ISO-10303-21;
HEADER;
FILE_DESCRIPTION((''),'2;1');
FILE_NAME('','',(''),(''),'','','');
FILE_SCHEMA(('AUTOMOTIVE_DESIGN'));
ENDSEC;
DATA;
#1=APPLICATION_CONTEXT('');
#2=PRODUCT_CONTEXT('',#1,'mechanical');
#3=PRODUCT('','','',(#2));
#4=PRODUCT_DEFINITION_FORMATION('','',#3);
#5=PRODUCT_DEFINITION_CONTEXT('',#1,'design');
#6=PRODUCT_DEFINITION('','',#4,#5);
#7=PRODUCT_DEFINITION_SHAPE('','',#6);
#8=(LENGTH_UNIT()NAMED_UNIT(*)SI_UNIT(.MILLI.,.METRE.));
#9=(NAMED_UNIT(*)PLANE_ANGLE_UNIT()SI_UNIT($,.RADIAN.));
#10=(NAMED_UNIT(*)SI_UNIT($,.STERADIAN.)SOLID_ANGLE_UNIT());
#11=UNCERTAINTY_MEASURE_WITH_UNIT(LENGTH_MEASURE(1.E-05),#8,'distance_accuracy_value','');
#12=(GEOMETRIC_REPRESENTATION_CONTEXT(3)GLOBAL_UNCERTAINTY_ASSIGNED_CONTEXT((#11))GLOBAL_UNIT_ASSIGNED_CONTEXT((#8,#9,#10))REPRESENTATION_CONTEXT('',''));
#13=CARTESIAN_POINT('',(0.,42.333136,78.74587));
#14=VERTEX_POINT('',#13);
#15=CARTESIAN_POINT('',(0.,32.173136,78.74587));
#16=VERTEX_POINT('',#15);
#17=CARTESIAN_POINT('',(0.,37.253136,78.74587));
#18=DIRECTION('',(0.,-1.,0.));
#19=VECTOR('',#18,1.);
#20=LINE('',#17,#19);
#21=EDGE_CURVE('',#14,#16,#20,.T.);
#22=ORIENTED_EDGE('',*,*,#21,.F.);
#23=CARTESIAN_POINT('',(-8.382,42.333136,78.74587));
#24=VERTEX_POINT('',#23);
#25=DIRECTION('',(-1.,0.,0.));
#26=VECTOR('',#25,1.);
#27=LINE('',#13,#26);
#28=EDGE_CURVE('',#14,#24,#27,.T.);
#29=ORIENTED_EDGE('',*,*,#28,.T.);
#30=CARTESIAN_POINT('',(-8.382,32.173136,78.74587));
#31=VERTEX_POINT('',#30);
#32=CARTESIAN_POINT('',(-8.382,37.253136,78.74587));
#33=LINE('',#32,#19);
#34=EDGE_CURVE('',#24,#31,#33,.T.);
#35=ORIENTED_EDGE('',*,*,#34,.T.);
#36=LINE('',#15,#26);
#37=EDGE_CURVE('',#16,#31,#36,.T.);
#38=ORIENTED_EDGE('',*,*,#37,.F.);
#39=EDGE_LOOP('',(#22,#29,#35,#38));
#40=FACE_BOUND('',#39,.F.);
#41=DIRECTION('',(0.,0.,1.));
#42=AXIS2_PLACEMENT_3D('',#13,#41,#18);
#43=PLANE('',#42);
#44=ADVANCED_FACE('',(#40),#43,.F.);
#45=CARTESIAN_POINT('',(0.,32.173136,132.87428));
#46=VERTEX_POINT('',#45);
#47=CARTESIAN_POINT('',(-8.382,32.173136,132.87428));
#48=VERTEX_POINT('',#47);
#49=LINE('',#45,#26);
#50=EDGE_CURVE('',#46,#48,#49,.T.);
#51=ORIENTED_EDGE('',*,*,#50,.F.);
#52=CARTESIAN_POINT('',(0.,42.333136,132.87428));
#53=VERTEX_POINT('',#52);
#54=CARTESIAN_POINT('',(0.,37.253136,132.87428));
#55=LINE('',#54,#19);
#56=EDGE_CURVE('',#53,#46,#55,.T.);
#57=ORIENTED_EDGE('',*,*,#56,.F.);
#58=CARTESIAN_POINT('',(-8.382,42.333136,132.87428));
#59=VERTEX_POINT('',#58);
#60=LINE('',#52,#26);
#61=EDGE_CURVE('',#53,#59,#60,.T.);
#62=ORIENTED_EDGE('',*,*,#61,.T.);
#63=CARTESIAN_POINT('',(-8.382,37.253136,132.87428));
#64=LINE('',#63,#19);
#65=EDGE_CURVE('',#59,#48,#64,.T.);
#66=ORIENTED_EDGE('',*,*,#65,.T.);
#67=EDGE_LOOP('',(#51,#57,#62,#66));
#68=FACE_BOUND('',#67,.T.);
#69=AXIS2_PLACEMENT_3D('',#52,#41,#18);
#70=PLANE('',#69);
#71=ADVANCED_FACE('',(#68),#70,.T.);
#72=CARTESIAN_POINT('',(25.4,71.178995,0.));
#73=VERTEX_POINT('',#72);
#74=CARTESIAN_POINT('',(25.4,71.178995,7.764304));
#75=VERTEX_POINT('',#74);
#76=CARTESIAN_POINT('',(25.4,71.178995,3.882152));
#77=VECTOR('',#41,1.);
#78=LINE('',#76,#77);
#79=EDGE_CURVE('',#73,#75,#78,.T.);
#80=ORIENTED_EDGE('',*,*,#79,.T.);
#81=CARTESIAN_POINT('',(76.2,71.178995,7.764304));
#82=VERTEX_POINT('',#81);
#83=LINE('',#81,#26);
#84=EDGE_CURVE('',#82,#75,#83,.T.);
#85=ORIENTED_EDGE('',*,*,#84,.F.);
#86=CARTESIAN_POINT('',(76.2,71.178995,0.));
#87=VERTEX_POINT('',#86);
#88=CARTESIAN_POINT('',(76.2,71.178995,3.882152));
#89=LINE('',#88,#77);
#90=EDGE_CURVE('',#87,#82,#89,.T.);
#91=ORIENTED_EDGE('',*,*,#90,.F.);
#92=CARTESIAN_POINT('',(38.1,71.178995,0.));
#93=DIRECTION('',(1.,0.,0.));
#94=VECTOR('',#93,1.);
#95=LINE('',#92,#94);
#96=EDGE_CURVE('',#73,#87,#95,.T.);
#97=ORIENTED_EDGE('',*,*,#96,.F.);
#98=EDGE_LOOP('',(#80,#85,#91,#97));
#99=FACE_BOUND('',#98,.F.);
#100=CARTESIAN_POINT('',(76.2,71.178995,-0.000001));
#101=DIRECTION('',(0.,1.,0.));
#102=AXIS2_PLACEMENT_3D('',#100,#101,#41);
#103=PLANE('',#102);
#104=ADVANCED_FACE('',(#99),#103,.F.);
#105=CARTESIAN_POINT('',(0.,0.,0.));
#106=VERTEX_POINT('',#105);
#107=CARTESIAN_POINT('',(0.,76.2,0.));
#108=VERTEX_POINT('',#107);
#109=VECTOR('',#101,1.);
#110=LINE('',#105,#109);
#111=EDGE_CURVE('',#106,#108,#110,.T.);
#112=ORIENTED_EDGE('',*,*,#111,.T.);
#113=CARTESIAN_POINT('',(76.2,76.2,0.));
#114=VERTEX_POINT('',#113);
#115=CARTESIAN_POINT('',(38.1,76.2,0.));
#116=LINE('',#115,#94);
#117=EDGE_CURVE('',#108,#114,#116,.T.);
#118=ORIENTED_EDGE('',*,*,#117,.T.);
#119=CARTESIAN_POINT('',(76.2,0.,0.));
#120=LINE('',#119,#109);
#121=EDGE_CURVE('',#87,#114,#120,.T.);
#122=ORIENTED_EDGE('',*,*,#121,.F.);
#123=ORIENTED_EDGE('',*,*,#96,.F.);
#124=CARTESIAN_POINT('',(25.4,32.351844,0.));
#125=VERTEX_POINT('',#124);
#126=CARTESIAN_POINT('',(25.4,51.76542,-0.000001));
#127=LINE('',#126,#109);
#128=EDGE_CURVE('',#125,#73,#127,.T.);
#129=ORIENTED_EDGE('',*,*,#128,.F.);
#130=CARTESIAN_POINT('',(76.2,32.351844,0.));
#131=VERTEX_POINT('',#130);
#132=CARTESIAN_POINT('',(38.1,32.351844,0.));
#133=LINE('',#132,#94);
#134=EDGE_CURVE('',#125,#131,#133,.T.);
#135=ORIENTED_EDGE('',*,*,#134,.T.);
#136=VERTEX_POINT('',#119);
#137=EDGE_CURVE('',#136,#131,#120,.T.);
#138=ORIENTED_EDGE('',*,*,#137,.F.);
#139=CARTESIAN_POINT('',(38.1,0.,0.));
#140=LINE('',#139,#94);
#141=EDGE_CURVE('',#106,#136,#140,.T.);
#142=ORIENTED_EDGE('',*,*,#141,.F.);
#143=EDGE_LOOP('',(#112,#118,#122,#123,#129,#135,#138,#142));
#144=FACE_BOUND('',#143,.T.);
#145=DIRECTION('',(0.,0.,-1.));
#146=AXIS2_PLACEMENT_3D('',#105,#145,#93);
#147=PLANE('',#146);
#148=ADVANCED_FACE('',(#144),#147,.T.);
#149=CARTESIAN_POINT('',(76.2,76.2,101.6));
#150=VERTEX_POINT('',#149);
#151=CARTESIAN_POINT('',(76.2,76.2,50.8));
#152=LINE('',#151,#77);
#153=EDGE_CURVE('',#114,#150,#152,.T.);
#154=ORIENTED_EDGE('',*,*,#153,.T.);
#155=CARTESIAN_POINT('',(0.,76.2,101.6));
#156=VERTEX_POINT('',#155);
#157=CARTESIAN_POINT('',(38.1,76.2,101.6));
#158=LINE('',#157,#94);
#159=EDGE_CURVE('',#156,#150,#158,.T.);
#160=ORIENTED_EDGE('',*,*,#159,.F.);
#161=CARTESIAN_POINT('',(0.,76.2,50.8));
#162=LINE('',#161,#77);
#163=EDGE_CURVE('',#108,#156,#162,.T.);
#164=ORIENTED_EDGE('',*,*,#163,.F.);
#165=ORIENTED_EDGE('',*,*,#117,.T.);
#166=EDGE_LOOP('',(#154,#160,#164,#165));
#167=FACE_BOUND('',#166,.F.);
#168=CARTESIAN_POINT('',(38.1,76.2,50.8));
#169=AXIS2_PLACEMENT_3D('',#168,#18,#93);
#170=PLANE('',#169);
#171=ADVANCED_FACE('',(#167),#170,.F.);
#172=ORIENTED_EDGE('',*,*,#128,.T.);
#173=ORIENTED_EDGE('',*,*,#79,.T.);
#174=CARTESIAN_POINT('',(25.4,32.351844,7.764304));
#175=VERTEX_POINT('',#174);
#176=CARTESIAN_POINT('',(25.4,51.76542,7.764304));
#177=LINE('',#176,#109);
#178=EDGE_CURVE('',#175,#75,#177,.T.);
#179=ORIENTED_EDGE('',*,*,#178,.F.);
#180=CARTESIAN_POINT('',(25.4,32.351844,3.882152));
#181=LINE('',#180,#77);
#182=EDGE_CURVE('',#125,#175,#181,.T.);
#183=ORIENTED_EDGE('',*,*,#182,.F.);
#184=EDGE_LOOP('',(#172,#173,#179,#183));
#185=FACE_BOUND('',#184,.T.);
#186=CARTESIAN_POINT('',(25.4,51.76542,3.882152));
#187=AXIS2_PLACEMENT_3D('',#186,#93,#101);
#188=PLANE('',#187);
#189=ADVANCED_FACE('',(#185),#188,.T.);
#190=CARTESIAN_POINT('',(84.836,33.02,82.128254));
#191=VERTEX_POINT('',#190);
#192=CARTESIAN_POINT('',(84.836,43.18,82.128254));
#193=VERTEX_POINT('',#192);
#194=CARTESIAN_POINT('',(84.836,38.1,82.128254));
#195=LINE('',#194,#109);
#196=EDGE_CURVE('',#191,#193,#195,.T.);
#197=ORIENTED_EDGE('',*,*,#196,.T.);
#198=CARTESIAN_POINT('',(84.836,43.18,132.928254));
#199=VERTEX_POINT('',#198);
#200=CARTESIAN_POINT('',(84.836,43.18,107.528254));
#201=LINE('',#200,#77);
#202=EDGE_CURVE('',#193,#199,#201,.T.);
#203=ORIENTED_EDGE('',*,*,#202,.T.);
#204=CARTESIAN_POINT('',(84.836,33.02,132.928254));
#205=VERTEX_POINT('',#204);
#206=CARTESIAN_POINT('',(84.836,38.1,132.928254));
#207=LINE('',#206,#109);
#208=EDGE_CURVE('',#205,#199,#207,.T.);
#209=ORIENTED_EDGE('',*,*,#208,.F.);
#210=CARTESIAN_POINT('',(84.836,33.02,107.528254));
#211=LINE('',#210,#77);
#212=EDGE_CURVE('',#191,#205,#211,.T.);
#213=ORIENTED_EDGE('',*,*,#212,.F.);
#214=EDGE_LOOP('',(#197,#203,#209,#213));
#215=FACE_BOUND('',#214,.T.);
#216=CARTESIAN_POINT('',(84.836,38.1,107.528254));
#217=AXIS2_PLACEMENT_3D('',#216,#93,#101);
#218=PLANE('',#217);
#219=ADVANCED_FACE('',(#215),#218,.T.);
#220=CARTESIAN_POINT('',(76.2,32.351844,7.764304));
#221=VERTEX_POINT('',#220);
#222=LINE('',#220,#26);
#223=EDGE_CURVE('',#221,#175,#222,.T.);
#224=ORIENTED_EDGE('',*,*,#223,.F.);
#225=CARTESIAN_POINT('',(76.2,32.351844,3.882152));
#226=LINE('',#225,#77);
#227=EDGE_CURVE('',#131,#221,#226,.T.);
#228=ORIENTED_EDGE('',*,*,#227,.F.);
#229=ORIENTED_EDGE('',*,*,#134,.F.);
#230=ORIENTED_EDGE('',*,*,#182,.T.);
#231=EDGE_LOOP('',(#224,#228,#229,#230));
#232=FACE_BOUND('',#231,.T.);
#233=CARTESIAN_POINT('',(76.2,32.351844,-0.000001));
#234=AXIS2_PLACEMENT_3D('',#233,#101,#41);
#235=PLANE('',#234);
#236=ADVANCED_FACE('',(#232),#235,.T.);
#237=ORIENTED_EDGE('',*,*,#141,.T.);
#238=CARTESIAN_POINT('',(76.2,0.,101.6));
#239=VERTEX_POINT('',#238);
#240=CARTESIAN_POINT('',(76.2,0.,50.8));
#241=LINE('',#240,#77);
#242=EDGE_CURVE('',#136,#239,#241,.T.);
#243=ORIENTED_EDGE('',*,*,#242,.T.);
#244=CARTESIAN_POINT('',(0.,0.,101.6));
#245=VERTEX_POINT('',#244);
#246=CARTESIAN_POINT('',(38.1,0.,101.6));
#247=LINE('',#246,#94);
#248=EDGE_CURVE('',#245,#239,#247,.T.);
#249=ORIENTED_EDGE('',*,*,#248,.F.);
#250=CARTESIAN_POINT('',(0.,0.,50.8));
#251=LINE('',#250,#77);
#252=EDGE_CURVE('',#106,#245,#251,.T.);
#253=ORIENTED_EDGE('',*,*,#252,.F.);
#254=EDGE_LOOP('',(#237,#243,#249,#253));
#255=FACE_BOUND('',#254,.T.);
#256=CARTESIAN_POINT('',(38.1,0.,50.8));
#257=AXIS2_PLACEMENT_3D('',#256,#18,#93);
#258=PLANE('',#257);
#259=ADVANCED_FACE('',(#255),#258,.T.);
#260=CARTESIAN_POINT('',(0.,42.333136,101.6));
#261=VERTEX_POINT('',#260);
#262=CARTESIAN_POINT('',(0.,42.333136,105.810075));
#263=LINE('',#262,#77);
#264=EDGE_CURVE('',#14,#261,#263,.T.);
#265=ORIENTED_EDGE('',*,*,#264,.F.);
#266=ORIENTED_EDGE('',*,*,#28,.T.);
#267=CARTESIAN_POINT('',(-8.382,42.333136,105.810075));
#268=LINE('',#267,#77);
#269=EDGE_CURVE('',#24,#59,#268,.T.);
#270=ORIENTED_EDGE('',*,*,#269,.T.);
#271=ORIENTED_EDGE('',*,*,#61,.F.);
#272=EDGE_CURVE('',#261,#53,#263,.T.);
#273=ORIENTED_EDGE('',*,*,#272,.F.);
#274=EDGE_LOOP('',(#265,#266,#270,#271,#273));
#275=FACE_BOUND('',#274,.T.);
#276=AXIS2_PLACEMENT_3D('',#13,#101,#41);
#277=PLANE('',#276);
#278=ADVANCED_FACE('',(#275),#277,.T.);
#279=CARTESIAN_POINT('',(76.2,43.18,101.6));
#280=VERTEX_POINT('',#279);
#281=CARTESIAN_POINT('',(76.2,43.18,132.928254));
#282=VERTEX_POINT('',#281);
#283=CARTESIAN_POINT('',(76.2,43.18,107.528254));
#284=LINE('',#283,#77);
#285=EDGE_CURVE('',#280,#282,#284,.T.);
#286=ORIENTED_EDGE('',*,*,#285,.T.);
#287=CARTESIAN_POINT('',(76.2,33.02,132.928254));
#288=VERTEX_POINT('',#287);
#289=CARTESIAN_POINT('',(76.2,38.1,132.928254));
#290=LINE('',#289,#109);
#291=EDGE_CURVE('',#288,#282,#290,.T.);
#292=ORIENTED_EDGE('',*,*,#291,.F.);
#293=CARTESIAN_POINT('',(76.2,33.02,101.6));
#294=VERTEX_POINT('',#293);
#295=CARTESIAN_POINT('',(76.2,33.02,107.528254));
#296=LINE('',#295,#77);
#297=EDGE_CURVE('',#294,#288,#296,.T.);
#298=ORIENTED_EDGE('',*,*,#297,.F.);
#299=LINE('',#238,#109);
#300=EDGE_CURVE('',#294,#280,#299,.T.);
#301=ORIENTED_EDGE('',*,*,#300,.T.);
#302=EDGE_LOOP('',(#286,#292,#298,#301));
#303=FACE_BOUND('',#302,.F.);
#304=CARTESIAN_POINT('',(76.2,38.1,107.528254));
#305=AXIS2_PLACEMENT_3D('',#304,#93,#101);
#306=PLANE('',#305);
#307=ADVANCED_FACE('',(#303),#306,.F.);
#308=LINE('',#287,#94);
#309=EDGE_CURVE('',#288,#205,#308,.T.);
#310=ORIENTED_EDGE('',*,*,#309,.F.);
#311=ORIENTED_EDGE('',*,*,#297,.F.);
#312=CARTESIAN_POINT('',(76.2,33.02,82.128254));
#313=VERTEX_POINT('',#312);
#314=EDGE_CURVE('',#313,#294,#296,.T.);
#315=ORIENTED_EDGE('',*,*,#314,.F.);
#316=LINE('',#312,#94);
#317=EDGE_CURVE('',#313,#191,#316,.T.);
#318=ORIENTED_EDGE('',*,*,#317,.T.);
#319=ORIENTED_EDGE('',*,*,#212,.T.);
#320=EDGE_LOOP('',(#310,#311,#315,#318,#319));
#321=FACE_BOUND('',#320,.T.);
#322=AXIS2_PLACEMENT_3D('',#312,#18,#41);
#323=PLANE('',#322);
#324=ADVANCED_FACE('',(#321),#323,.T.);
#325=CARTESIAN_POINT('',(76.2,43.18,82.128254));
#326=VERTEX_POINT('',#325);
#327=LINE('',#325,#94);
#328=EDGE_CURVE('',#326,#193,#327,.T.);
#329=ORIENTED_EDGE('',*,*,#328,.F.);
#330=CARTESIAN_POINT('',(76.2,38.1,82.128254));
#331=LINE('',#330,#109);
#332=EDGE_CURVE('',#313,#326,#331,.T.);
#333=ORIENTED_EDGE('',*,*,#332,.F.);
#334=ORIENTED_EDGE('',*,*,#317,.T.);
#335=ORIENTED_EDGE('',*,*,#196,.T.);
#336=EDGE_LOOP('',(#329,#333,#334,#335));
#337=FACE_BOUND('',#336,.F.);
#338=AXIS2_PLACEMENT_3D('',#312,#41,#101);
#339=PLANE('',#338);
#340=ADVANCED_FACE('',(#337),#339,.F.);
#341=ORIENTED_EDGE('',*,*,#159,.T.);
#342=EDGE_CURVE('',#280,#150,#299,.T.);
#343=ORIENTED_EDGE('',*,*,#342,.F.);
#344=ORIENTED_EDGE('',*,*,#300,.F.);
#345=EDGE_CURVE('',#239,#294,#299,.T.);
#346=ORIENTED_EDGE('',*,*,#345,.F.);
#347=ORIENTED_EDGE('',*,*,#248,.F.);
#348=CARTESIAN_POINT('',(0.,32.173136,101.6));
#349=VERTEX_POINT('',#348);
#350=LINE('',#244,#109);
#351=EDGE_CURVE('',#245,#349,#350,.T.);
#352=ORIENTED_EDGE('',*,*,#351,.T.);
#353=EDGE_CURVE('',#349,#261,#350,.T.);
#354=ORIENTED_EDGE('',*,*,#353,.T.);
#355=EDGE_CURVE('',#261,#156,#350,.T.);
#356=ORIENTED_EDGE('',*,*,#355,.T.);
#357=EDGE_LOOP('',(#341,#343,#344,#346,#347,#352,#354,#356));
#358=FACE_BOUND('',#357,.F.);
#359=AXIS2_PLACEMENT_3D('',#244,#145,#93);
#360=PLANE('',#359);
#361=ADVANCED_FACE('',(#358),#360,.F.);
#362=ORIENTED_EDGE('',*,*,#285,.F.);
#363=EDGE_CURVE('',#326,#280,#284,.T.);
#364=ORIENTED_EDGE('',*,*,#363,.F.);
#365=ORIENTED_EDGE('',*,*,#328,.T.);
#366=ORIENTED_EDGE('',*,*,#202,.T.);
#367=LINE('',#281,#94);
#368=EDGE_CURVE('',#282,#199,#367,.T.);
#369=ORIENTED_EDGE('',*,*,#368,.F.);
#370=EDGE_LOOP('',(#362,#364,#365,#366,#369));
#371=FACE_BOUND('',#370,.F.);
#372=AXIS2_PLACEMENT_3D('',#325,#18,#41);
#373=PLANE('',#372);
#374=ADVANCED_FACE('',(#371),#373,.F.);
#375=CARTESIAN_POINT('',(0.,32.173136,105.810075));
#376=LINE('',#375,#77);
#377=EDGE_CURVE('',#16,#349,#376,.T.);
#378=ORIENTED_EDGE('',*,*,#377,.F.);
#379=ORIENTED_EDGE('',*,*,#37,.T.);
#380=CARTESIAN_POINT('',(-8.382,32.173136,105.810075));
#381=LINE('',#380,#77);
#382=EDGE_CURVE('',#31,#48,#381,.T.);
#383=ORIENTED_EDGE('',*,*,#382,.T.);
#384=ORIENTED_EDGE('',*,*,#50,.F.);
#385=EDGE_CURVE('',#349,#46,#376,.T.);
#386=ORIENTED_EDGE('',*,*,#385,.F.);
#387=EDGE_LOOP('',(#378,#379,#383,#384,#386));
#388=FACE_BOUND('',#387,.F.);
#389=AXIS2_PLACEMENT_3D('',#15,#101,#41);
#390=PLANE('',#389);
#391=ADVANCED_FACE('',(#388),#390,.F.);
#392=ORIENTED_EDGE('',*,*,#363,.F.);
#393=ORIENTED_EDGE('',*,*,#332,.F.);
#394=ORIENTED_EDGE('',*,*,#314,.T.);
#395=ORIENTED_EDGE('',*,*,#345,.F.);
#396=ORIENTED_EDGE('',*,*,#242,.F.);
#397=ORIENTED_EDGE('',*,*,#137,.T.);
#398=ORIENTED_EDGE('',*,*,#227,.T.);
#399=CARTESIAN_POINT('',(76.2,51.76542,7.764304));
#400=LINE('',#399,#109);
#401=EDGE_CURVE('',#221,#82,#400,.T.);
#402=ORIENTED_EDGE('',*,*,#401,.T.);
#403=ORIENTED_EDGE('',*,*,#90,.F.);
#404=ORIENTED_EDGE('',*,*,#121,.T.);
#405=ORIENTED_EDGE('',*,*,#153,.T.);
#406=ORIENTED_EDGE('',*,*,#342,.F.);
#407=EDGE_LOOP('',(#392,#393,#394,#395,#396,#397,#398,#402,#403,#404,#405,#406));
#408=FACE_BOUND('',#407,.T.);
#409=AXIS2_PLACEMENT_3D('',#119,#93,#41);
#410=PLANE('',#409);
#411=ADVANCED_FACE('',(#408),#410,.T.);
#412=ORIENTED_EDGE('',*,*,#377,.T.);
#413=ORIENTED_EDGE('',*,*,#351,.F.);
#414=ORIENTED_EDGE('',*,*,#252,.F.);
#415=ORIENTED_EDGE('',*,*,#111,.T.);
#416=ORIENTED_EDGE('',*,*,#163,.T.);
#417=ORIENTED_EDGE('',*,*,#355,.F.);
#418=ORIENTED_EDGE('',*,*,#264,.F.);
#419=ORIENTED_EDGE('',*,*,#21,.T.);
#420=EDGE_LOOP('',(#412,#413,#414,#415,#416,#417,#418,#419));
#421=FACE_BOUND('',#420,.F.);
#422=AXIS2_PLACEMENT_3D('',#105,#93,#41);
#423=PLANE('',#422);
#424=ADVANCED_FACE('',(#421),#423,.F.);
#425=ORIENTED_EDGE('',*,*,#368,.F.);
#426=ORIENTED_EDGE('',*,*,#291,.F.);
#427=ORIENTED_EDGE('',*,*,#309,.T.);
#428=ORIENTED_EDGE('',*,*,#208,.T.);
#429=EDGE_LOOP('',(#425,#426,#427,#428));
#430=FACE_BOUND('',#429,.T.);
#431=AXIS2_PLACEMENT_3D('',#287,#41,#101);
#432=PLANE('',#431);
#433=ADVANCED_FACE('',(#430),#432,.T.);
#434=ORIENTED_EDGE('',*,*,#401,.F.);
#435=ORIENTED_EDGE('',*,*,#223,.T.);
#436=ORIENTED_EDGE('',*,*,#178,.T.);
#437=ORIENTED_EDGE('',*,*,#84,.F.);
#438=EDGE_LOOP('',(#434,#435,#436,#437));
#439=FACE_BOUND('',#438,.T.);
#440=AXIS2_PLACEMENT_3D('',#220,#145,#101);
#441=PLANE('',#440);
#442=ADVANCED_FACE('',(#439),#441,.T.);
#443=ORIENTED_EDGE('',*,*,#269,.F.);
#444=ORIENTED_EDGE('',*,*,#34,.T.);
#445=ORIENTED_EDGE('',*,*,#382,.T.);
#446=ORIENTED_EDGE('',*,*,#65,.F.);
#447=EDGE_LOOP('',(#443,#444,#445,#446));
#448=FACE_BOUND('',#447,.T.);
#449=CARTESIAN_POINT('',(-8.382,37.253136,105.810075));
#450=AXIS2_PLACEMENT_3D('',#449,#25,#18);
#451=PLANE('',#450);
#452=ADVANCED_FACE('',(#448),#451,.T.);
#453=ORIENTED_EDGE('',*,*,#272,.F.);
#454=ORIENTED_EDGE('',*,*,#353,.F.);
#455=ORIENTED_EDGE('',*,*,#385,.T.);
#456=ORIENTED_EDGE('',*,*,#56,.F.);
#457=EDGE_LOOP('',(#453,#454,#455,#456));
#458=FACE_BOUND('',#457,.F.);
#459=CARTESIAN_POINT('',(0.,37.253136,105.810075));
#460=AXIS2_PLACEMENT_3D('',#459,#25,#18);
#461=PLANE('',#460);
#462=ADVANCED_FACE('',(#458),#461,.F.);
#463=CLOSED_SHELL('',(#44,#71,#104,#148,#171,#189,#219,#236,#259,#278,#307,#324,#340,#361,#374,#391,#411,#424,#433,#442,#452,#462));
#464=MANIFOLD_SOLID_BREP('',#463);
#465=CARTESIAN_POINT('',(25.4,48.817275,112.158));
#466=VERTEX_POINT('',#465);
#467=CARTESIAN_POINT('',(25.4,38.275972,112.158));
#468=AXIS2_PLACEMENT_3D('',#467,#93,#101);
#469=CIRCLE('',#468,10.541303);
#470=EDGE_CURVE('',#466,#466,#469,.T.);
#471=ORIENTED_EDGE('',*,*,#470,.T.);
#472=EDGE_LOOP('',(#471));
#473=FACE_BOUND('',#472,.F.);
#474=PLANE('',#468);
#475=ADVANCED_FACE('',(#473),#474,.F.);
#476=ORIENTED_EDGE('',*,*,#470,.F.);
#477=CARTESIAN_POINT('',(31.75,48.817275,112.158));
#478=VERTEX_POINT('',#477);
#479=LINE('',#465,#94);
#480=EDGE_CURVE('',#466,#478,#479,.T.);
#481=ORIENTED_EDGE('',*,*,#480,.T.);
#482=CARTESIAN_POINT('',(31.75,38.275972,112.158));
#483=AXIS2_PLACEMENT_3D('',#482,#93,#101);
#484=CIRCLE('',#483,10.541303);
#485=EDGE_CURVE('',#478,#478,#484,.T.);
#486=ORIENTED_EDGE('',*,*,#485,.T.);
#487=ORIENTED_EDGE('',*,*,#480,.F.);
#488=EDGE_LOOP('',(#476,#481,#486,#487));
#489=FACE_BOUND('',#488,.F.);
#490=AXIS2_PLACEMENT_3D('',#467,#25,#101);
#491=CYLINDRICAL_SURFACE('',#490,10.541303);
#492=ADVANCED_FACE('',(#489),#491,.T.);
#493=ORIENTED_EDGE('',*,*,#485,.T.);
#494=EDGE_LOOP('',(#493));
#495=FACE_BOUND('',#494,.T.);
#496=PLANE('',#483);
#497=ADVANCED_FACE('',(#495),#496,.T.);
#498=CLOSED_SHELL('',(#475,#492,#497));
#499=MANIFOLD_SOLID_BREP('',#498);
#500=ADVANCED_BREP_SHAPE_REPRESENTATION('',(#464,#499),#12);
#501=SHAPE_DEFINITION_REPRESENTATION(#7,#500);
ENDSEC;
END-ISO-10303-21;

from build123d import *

# Parameters (mm, degrees)
F0_W      = 76.2
F0_H      = 101.6
F1_DEPTH  = 76.2
F2_DEPTH  = 76.2
F3_W      = 10.16
F3_H      = 50.8
F4_DEPTH  = 8.636
F5_W      = 10.16
F5_H      = 54.12841
F6_DEPTH  = 8.382
F7_W      = 38.827151
F7_H      = 7.764305
F8_DEPTH  = 50.8
F10_R     = 10.541303
F11_DEPTH = 6.35


with BuildPart() as f1:
    # F0 (on Front) → F1 (new body)
    with BuildSketch(Plane.XZ):
        with Locations((38.1, 50.8)):
            Rectangle(F0_W, F0_H)
    extrude(amount=-F1_DEPTH)

    # F0 (on Front) → F2 (join)
    with BuildSketch(Plane.XZ):
        with Locations((38.1, 50.8)):
            Rectangle(F0_W, F0_H)
    extrude(amount=-F2_DEPTH)

    # F3 (on face) → F4 (join)
    with BuildSketch(Plane.YZ.offset(76.2)):
        with Locations((38.1, 107.528254)):
            Rectangle(F3_W, F3_H)
    extrude(amount=F4_DEPTH)

    # F5 (on face) → F6 (join)
    with BuildSketch(Plane(origin=(0, 0, 0), x_dir=(0, -1, 0), z_dir=(-1, 0, 0))):
        with Locations((-37.253136, 105.810075)):
            Rectangle(F5_W, F5_H)
    extrude(amount=F6_DEPTH)

    # F7 (on face) → F8 (cut)
    with BuildSketch(Plane.YZ.offset(76.2)):
        with Locations((51.76542, 3.882152)):
            Rectangle(F7_W, F7_H)
    extrude(amount=-F8_DEPTH, mode=Mode.SUBTRACT)


with BuildPart() as f11:
    # F10 (on offset) → F11 (new body)
    with BuildSketch(Plane.YZ.offset(25.4)):
        with Locations((38.275972, 112.158)):
            Circle(F10_R)
    extrude(amount=F11_DEPTH)


solid = Compound([f1.part, f11.part])
